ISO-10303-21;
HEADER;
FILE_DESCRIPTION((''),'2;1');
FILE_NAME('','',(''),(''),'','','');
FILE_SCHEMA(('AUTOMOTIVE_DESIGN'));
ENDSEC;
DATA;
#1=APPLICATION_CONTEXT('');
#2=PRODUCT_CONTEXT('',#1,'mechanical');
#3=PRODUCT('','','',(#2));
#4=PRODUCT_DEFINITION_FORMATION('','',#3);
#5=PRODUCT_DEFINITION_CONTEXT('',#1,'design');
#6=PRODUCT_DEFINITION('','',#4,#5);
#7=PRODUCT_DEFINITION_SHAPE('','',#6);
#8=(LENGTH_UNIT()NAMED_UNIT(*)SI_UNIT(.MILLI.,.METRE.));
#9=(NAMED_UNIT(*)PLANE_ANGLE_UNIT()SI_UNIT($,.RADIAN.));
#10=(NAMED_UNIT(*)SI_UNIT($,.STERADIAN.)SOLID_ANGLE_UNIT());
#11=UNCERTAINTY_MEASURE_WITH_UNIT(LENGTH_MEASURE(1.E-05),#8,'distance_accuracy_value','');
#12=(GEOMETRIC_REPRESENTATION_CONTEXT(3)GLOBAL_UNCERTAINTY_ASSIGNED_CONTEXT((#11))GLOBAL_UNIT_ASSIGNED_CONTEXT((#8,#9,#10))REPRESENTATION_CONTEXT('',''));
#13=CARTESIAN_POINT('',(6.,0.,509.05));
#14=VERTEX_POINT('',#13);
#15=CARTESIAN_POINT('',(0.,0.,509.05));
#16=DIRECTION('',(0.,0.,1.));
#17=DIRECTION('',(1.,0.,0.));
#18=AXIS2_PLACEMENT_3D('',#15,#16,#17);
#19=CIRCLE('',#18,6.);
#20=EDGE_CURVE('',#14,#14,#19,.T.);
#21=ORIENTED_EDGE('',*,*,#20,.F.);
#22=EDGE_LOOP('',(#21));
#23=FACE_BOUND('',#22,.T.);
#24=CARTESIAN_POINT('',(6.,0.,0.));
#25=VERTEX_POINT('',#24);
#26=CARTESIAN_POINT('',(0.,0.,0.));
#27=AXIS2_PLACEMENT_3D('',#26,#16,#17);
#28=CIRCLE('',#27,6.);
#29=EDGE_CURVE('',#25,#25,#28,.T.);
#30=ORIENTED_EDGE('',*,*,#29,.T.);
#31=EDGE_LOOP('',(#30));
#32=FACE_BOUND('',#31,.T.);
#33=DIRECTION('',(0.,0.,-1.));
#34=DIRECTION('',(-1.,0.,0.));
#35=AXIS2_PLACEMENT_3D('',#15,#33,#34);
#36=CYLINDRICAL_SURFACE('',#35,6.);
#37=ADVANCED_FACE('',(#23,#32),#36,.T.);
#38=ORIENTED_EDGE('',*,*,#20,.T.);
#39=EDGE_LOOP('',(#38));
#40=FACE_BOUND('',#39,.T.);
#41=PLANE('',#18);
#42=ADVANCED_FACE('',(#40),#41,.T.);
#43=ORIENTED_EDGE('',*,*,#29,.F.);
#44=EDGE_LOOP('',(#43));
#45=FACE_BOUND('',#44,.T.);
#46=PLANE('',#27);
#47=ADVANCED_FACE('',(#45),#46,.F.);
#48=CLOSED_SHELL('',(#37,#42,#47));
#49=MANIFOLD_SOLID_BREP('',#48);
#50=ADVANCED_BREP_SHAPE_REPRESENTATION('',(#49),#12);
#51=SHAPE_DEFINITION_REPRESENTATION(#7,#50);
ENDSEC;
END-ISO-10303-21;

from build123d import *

# Parameters (mm, degrees)
SKETCH1_R           = 6
BOSS_EXTRUDE1_DEPTH = 509.05


with BuildPart() as part:
    # Sketch1 → Boss-Extrude1 (new body)
    with BuildSketch(Plane.XY):
        Circle(SKETCH1_R)
    extrude(amount=BOSS_EXTRUDE1_DEPTH)


solid = part.part
